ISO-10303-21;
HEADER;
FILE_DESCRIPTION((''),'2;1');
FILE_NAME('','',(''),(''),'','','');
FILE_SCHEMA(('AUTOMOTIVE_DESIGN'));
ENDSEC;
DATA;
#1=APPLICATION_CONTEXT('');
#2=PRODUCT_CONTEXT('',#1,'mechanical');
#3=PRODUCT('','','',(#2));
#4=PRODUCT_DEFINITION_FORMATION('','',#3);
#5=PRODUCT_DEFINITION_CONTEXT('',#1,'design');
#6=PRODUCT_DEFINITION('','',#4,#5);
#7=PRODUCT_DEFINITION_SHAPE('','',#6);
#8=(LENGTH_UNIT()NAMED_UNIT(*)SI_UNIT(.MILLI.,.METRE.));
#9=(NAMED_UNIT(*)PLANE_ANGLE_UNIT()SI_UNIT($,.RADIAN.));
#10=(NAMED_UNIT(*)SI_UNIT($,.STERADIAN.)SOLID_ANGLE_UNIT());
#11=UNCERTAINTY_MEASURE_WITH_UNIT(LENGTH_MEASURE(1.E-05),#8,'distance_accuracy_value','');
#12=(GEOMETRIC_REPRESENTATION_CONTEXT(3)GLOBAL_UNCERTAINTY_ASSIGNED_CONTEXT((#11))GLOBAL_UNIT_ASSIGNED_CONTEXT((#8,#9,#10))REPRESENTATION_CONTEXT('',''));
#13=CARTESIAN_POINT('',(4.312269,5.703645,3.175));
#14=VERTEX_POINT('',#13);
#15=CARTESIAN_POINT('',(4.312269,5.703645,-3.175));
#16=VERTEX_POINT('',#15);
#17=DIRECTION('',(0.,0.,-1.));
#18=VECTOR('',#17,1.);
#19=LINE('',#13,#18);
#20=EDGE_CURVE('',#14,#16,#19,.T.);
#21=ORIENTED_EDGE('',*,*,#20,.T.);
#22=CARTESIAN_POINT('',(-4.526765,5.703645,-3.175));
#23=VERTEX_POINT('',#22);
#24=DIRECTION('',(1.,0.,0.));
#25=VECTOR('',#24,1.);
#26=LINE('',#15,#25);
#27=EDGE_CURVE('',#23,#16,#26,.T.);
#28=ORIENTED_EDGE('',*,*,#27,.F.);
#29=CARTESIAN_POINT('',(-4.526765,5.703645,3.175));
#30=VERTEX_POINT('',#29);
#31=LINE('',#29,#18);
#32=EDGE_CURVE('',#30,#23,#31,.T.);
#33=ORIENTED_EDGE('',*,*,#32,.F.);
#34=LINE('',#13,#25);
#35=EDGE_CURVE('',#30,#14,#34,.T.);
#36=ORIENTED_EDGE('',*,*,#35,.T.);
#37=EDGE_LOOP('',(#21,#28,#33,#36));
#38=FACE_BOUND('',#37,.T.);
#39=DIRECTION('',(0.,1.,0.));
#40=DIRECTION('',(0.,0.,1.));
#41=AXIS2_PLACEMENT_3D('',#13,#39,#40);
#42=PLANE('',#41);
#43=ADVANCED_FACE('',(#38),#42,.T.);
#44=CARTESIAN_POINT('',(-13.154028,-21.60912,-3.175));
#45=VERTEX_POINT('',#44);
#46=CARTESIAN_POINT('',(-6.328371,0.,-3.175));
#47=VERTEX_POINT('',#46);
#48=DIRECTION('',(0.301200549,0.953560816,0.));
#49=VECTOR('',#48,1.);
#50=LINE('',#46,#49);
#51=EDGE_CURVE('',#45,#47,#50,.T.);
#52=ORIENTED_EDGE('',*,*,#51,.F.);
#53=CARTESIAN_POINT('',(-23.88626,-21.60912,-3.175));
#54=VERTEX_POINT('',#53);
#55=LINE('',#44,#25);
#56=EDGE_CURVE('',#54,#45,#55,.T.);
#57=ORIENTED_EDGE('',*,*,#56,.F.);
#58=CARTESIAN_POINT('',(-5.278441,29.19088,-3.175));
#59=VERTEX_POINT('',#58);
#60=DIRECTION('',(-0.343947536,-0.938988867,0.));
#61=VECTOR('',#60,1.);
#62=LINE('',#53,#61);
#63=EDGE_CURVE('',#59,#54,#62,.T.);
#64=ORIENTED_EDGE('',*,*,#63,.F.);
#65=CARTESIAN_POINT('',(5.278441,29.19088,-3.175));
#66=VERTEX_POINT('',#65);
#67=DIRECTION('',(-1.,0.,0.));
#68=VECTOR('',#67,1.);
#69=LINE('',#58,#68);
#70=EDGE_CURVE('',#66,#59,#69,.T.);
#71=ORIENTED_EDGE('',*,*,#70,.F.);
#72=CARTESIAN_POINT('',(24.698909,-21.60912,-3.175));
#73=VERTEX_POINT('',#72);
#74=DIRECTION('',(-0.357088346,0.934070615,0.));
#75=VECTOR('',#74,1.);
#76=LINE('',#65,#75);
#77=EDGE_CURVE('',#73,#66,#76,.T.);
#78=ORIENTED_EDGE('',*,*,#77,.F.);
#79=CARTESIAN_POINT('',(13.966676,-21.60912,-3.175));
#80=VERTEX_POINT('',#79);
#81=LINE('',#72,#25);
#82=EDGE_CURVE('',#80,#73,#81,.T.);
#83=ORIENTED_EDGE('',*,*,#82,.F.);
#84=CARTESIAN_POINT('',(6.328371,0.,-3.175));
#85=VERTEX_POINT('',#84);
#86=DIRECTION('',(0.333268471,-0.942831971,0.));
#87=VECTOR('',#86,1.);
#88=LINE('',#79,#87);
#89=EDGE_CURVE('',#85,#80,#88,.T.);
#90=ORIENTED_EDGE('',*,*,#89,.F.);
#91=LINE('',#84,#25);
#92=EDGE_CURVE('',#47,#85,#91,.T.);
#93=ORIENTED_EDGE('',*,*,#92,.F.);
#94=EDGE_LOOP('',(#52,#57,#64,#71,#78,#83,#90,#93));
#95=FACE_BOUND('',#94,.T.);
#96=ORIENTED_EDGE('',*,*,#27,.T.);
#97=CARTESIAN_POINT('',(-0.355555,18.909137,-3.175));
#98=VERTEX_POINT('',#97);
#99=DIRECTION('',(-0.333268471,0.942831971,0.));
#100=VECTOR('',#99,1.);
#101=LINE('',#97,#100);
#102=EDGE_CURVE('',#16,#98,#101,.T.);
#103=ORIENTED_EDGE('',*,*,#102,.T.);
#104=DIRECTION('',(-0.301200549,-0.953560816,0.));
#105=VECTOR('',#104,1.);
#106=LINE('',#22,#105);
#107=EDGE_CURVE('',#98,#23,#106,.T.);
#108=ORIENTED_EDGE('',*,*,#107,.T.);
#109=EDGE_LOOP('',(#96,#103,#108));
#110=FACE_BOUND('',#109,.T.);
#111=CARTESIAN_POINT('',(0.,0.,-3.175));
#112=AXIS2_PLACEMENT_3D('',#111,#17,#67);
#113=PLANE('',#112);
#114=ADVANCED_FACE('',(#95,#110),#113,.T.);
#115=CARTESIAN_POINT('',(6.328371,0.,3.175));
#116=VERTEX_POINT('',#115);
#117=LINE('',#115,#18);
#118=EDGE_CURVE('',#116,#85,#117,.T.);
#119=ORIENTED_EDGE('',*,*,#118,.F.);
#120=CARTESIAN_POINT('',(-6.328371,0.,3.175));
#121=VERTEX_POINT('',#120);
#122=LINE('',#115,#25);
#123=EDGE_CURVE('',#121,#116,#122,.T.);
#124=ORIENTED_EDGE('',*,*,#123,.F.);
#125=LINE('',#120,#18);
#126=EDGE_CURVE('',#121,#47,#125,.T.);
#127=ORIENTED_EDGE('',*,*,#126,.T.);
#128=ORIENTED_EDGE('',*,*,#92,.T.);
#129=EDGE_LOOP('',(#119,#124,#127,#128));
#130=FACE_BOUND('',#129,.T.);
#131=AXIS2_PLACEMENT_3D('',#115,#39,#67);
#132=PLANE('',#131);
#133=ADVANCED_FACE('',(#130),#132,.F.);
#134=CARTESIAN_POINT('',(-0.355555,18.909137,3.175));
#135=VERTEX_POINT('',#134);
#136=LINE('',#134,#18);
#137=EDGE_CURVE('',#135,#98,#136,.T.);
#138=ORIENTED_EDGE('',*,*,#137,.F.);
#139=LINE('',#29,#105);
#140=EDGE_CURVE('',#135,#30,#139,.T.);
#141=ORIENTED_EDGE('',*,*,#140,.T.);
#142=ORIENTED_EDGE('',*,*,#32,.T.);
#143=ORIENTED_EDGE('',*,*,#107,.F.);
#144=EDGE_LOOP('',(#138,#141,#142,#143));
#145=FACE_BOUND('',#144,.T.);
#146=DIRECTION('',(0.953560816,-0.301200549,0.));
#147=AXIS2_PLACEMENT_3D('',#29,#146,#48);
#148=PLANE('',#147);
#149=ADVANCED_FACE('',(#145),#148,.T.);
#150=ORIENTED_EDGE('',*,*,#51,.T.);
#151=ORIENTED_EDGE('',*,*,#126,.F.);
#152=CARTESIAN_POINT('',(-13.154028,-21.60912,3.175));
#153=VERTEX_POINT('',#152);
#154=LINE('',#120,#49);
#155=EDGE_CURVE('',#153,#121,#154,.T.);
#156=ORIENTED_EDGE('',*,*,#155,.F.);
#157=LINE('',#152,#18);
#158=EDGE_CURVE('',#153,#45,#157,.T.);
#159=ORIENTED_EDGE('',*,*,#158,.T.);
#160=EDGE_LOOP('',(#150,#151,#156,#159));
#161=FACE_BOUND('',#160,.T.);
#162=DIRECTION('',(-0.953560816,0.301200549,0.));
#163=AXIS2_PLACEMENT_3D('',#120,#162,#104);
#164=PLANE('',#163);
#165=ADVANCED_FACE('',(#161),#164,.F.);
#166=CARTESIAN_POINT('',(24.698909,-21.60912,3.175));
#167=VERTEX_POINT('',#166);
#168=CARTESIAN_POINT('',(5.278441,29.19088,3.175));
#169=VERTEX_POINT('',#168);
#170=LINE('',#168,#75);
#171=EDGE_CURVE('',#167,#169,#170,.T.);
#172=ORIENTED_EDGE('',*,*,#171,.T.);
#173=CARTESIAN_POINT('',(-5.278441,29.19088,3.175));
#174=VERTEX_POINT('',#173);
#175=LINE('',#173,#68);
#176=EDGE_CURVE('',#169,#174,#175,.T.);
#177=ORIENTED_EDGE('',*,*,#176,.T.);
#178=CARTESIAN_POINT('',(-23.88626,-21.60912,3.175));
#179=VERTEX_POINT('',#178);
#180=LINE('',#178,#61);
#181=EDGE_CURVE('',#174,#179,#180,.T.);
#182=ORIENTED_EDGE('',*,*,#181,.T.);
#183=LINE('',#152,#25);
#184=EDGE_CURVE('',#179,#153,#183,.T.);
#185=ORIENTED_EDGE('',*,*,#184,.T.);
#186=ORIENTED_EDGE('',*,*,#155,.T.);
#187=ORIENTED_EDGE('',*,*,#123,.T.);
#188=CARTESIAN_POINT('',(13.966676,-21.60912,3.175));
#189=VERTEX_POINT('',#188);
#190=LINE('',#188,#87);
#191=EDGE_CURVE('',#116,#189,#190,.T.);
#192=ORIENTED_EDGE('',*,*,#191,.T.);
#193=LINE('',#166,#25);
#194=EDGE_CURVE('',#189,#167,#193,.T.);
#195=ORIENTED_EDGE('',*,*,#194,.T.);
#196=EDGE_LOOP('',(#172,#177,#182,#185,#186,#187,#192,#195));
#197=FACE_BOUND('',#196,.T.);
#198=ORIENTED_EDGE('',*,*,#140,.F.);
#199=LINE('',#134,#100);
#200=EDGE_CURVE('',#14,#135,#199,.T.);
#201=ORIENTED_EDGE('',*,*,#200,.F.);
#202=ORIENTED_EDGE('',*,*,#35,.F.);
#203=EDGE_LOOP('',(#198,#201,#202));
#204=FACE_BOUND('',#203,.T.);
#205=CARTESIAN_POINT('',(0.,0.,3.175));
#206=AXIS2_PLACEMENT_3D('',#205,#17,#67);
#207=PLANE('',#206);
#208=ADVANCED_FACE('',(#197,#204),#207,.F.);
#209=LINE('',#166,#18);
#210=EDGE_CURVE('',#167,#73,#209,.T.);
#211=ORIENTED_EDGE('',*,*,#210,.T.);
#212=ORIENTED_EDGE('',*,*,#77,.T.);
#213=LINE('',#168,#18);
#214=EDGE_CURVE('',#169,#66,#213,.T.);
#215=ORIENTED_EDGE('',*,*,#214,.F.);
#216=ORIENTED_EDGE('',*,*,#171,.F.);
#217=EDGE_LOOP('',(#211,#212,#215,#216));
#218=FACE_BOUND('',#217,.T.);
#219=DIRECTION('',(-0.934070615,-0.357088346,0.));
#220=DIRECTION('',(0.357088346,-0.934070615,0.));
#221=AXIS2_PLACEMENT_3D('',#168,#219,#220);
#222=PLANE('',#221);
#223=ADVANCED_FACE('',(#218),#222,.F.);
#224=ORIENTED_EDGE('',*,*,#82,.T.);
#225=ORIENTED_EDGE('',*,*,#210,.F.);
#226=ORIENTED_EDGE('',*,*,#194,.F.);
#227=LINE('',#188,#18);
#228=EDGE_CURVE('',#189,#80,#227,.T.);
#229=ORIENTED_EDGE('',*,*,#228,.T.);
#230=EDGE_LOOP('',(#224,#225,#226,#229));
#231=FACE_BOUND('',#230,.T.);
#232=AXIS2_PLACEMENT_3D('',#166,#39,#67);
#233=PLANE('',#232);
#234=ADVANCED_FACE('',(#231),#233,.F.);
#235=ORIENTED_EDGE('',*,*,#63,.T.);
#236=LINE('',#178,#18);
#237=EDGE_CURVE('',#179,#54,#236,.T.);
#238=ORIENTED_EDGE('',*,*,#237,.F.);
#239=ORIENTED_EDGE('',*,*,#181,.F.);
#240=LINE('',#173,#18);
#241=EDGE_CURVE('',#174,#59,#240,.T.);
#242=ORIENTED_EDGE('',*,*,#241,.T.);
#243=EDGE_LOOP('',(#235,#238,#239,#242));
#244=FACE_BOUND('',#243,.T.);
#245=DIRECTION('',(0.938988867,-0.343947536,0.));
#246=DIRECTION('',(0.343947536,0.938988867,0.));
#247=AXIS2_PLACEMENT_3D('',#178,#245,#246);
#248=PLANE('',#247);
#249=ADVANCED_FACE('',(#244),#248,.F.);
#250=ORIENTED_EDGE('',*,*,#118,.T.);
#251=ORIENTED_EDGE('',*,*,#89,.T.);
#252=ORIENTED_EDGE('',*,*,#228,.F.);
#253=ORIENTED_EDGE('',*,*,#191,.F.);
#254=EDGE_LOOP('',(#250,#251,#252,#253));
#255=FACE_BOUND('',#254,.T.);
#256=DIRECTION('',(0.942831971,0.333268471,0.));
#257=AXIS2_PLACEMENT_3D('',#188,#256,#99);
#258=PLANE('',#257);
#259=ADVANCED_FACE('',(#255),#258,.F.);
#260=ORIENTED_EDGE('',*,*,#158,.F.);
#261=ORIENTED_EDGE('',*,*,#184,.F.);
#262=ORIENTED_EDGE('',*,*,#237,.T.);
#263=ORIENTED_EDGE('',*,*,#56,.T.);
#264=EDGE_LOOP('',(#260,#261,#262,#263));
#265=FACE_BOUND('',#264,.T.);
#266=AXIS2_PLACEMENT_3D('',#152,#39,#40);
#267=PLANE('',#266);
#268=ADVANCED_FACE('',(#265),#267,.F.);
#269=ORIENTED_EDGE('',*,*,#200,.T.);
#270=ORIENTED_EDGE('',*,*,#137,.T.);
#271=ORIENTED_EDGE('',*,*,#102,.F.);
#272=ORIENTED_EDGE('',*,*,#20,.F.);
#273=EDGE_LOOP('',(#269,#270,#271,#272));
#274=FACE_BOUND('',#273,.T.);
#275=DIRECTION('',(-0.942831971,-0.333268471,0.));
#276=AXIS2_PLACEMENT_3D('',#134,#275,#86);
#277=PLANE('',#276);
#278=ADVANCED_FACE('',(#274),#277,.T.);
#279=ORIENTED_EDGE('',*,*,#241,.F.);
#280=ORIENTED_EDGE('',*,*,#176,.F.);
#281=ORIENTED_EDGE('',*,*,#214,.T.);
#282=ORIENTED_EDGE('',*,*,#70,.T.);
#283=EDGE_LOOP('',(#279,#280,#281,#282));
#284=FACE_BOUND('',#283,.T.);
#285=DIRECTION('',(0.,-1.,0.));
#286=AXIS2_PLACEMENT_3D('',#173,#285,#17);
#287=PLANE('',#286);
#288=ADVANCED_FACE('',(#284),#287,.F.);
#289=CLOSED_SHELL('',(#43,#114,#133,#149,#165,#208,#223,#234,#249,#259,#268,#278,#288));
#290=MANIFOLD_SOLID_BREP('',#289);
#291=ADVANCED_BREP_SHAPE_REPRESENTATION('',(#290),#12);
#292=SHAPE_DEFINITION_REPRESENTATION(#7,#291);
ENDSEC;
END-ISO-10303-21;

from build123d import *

# Parameters (mm, degrees)
BOSS_EXTRUDE1_DEPTH = 3.175


with BuildPart() as part:
    # Sketch1 → Boss-Extrude1 (new body, symmetric)
    with BuildSketch(Plane.XY):
        Polygon((-5.278441348, 29.190879636), (5.278441348, 29.190879636), (24.698908797, -21.609120364), (13.966676058, -21.609120364), (6.328370689, 0), (-6.328370689, 0), (-13.154027538, -21.609120364), (-23.886260277, -21.609120364), align=None)
        Polygon((-0.355555483, 18.909137327), (4.312269234, 5.703644579), (-4.526764699, 5.703644579), align=None, mode=Mode.SUBTRACT)
    extrude(amount=BOSS_EXTRUDE1_DEPTH, both=True)


solid = part.part
